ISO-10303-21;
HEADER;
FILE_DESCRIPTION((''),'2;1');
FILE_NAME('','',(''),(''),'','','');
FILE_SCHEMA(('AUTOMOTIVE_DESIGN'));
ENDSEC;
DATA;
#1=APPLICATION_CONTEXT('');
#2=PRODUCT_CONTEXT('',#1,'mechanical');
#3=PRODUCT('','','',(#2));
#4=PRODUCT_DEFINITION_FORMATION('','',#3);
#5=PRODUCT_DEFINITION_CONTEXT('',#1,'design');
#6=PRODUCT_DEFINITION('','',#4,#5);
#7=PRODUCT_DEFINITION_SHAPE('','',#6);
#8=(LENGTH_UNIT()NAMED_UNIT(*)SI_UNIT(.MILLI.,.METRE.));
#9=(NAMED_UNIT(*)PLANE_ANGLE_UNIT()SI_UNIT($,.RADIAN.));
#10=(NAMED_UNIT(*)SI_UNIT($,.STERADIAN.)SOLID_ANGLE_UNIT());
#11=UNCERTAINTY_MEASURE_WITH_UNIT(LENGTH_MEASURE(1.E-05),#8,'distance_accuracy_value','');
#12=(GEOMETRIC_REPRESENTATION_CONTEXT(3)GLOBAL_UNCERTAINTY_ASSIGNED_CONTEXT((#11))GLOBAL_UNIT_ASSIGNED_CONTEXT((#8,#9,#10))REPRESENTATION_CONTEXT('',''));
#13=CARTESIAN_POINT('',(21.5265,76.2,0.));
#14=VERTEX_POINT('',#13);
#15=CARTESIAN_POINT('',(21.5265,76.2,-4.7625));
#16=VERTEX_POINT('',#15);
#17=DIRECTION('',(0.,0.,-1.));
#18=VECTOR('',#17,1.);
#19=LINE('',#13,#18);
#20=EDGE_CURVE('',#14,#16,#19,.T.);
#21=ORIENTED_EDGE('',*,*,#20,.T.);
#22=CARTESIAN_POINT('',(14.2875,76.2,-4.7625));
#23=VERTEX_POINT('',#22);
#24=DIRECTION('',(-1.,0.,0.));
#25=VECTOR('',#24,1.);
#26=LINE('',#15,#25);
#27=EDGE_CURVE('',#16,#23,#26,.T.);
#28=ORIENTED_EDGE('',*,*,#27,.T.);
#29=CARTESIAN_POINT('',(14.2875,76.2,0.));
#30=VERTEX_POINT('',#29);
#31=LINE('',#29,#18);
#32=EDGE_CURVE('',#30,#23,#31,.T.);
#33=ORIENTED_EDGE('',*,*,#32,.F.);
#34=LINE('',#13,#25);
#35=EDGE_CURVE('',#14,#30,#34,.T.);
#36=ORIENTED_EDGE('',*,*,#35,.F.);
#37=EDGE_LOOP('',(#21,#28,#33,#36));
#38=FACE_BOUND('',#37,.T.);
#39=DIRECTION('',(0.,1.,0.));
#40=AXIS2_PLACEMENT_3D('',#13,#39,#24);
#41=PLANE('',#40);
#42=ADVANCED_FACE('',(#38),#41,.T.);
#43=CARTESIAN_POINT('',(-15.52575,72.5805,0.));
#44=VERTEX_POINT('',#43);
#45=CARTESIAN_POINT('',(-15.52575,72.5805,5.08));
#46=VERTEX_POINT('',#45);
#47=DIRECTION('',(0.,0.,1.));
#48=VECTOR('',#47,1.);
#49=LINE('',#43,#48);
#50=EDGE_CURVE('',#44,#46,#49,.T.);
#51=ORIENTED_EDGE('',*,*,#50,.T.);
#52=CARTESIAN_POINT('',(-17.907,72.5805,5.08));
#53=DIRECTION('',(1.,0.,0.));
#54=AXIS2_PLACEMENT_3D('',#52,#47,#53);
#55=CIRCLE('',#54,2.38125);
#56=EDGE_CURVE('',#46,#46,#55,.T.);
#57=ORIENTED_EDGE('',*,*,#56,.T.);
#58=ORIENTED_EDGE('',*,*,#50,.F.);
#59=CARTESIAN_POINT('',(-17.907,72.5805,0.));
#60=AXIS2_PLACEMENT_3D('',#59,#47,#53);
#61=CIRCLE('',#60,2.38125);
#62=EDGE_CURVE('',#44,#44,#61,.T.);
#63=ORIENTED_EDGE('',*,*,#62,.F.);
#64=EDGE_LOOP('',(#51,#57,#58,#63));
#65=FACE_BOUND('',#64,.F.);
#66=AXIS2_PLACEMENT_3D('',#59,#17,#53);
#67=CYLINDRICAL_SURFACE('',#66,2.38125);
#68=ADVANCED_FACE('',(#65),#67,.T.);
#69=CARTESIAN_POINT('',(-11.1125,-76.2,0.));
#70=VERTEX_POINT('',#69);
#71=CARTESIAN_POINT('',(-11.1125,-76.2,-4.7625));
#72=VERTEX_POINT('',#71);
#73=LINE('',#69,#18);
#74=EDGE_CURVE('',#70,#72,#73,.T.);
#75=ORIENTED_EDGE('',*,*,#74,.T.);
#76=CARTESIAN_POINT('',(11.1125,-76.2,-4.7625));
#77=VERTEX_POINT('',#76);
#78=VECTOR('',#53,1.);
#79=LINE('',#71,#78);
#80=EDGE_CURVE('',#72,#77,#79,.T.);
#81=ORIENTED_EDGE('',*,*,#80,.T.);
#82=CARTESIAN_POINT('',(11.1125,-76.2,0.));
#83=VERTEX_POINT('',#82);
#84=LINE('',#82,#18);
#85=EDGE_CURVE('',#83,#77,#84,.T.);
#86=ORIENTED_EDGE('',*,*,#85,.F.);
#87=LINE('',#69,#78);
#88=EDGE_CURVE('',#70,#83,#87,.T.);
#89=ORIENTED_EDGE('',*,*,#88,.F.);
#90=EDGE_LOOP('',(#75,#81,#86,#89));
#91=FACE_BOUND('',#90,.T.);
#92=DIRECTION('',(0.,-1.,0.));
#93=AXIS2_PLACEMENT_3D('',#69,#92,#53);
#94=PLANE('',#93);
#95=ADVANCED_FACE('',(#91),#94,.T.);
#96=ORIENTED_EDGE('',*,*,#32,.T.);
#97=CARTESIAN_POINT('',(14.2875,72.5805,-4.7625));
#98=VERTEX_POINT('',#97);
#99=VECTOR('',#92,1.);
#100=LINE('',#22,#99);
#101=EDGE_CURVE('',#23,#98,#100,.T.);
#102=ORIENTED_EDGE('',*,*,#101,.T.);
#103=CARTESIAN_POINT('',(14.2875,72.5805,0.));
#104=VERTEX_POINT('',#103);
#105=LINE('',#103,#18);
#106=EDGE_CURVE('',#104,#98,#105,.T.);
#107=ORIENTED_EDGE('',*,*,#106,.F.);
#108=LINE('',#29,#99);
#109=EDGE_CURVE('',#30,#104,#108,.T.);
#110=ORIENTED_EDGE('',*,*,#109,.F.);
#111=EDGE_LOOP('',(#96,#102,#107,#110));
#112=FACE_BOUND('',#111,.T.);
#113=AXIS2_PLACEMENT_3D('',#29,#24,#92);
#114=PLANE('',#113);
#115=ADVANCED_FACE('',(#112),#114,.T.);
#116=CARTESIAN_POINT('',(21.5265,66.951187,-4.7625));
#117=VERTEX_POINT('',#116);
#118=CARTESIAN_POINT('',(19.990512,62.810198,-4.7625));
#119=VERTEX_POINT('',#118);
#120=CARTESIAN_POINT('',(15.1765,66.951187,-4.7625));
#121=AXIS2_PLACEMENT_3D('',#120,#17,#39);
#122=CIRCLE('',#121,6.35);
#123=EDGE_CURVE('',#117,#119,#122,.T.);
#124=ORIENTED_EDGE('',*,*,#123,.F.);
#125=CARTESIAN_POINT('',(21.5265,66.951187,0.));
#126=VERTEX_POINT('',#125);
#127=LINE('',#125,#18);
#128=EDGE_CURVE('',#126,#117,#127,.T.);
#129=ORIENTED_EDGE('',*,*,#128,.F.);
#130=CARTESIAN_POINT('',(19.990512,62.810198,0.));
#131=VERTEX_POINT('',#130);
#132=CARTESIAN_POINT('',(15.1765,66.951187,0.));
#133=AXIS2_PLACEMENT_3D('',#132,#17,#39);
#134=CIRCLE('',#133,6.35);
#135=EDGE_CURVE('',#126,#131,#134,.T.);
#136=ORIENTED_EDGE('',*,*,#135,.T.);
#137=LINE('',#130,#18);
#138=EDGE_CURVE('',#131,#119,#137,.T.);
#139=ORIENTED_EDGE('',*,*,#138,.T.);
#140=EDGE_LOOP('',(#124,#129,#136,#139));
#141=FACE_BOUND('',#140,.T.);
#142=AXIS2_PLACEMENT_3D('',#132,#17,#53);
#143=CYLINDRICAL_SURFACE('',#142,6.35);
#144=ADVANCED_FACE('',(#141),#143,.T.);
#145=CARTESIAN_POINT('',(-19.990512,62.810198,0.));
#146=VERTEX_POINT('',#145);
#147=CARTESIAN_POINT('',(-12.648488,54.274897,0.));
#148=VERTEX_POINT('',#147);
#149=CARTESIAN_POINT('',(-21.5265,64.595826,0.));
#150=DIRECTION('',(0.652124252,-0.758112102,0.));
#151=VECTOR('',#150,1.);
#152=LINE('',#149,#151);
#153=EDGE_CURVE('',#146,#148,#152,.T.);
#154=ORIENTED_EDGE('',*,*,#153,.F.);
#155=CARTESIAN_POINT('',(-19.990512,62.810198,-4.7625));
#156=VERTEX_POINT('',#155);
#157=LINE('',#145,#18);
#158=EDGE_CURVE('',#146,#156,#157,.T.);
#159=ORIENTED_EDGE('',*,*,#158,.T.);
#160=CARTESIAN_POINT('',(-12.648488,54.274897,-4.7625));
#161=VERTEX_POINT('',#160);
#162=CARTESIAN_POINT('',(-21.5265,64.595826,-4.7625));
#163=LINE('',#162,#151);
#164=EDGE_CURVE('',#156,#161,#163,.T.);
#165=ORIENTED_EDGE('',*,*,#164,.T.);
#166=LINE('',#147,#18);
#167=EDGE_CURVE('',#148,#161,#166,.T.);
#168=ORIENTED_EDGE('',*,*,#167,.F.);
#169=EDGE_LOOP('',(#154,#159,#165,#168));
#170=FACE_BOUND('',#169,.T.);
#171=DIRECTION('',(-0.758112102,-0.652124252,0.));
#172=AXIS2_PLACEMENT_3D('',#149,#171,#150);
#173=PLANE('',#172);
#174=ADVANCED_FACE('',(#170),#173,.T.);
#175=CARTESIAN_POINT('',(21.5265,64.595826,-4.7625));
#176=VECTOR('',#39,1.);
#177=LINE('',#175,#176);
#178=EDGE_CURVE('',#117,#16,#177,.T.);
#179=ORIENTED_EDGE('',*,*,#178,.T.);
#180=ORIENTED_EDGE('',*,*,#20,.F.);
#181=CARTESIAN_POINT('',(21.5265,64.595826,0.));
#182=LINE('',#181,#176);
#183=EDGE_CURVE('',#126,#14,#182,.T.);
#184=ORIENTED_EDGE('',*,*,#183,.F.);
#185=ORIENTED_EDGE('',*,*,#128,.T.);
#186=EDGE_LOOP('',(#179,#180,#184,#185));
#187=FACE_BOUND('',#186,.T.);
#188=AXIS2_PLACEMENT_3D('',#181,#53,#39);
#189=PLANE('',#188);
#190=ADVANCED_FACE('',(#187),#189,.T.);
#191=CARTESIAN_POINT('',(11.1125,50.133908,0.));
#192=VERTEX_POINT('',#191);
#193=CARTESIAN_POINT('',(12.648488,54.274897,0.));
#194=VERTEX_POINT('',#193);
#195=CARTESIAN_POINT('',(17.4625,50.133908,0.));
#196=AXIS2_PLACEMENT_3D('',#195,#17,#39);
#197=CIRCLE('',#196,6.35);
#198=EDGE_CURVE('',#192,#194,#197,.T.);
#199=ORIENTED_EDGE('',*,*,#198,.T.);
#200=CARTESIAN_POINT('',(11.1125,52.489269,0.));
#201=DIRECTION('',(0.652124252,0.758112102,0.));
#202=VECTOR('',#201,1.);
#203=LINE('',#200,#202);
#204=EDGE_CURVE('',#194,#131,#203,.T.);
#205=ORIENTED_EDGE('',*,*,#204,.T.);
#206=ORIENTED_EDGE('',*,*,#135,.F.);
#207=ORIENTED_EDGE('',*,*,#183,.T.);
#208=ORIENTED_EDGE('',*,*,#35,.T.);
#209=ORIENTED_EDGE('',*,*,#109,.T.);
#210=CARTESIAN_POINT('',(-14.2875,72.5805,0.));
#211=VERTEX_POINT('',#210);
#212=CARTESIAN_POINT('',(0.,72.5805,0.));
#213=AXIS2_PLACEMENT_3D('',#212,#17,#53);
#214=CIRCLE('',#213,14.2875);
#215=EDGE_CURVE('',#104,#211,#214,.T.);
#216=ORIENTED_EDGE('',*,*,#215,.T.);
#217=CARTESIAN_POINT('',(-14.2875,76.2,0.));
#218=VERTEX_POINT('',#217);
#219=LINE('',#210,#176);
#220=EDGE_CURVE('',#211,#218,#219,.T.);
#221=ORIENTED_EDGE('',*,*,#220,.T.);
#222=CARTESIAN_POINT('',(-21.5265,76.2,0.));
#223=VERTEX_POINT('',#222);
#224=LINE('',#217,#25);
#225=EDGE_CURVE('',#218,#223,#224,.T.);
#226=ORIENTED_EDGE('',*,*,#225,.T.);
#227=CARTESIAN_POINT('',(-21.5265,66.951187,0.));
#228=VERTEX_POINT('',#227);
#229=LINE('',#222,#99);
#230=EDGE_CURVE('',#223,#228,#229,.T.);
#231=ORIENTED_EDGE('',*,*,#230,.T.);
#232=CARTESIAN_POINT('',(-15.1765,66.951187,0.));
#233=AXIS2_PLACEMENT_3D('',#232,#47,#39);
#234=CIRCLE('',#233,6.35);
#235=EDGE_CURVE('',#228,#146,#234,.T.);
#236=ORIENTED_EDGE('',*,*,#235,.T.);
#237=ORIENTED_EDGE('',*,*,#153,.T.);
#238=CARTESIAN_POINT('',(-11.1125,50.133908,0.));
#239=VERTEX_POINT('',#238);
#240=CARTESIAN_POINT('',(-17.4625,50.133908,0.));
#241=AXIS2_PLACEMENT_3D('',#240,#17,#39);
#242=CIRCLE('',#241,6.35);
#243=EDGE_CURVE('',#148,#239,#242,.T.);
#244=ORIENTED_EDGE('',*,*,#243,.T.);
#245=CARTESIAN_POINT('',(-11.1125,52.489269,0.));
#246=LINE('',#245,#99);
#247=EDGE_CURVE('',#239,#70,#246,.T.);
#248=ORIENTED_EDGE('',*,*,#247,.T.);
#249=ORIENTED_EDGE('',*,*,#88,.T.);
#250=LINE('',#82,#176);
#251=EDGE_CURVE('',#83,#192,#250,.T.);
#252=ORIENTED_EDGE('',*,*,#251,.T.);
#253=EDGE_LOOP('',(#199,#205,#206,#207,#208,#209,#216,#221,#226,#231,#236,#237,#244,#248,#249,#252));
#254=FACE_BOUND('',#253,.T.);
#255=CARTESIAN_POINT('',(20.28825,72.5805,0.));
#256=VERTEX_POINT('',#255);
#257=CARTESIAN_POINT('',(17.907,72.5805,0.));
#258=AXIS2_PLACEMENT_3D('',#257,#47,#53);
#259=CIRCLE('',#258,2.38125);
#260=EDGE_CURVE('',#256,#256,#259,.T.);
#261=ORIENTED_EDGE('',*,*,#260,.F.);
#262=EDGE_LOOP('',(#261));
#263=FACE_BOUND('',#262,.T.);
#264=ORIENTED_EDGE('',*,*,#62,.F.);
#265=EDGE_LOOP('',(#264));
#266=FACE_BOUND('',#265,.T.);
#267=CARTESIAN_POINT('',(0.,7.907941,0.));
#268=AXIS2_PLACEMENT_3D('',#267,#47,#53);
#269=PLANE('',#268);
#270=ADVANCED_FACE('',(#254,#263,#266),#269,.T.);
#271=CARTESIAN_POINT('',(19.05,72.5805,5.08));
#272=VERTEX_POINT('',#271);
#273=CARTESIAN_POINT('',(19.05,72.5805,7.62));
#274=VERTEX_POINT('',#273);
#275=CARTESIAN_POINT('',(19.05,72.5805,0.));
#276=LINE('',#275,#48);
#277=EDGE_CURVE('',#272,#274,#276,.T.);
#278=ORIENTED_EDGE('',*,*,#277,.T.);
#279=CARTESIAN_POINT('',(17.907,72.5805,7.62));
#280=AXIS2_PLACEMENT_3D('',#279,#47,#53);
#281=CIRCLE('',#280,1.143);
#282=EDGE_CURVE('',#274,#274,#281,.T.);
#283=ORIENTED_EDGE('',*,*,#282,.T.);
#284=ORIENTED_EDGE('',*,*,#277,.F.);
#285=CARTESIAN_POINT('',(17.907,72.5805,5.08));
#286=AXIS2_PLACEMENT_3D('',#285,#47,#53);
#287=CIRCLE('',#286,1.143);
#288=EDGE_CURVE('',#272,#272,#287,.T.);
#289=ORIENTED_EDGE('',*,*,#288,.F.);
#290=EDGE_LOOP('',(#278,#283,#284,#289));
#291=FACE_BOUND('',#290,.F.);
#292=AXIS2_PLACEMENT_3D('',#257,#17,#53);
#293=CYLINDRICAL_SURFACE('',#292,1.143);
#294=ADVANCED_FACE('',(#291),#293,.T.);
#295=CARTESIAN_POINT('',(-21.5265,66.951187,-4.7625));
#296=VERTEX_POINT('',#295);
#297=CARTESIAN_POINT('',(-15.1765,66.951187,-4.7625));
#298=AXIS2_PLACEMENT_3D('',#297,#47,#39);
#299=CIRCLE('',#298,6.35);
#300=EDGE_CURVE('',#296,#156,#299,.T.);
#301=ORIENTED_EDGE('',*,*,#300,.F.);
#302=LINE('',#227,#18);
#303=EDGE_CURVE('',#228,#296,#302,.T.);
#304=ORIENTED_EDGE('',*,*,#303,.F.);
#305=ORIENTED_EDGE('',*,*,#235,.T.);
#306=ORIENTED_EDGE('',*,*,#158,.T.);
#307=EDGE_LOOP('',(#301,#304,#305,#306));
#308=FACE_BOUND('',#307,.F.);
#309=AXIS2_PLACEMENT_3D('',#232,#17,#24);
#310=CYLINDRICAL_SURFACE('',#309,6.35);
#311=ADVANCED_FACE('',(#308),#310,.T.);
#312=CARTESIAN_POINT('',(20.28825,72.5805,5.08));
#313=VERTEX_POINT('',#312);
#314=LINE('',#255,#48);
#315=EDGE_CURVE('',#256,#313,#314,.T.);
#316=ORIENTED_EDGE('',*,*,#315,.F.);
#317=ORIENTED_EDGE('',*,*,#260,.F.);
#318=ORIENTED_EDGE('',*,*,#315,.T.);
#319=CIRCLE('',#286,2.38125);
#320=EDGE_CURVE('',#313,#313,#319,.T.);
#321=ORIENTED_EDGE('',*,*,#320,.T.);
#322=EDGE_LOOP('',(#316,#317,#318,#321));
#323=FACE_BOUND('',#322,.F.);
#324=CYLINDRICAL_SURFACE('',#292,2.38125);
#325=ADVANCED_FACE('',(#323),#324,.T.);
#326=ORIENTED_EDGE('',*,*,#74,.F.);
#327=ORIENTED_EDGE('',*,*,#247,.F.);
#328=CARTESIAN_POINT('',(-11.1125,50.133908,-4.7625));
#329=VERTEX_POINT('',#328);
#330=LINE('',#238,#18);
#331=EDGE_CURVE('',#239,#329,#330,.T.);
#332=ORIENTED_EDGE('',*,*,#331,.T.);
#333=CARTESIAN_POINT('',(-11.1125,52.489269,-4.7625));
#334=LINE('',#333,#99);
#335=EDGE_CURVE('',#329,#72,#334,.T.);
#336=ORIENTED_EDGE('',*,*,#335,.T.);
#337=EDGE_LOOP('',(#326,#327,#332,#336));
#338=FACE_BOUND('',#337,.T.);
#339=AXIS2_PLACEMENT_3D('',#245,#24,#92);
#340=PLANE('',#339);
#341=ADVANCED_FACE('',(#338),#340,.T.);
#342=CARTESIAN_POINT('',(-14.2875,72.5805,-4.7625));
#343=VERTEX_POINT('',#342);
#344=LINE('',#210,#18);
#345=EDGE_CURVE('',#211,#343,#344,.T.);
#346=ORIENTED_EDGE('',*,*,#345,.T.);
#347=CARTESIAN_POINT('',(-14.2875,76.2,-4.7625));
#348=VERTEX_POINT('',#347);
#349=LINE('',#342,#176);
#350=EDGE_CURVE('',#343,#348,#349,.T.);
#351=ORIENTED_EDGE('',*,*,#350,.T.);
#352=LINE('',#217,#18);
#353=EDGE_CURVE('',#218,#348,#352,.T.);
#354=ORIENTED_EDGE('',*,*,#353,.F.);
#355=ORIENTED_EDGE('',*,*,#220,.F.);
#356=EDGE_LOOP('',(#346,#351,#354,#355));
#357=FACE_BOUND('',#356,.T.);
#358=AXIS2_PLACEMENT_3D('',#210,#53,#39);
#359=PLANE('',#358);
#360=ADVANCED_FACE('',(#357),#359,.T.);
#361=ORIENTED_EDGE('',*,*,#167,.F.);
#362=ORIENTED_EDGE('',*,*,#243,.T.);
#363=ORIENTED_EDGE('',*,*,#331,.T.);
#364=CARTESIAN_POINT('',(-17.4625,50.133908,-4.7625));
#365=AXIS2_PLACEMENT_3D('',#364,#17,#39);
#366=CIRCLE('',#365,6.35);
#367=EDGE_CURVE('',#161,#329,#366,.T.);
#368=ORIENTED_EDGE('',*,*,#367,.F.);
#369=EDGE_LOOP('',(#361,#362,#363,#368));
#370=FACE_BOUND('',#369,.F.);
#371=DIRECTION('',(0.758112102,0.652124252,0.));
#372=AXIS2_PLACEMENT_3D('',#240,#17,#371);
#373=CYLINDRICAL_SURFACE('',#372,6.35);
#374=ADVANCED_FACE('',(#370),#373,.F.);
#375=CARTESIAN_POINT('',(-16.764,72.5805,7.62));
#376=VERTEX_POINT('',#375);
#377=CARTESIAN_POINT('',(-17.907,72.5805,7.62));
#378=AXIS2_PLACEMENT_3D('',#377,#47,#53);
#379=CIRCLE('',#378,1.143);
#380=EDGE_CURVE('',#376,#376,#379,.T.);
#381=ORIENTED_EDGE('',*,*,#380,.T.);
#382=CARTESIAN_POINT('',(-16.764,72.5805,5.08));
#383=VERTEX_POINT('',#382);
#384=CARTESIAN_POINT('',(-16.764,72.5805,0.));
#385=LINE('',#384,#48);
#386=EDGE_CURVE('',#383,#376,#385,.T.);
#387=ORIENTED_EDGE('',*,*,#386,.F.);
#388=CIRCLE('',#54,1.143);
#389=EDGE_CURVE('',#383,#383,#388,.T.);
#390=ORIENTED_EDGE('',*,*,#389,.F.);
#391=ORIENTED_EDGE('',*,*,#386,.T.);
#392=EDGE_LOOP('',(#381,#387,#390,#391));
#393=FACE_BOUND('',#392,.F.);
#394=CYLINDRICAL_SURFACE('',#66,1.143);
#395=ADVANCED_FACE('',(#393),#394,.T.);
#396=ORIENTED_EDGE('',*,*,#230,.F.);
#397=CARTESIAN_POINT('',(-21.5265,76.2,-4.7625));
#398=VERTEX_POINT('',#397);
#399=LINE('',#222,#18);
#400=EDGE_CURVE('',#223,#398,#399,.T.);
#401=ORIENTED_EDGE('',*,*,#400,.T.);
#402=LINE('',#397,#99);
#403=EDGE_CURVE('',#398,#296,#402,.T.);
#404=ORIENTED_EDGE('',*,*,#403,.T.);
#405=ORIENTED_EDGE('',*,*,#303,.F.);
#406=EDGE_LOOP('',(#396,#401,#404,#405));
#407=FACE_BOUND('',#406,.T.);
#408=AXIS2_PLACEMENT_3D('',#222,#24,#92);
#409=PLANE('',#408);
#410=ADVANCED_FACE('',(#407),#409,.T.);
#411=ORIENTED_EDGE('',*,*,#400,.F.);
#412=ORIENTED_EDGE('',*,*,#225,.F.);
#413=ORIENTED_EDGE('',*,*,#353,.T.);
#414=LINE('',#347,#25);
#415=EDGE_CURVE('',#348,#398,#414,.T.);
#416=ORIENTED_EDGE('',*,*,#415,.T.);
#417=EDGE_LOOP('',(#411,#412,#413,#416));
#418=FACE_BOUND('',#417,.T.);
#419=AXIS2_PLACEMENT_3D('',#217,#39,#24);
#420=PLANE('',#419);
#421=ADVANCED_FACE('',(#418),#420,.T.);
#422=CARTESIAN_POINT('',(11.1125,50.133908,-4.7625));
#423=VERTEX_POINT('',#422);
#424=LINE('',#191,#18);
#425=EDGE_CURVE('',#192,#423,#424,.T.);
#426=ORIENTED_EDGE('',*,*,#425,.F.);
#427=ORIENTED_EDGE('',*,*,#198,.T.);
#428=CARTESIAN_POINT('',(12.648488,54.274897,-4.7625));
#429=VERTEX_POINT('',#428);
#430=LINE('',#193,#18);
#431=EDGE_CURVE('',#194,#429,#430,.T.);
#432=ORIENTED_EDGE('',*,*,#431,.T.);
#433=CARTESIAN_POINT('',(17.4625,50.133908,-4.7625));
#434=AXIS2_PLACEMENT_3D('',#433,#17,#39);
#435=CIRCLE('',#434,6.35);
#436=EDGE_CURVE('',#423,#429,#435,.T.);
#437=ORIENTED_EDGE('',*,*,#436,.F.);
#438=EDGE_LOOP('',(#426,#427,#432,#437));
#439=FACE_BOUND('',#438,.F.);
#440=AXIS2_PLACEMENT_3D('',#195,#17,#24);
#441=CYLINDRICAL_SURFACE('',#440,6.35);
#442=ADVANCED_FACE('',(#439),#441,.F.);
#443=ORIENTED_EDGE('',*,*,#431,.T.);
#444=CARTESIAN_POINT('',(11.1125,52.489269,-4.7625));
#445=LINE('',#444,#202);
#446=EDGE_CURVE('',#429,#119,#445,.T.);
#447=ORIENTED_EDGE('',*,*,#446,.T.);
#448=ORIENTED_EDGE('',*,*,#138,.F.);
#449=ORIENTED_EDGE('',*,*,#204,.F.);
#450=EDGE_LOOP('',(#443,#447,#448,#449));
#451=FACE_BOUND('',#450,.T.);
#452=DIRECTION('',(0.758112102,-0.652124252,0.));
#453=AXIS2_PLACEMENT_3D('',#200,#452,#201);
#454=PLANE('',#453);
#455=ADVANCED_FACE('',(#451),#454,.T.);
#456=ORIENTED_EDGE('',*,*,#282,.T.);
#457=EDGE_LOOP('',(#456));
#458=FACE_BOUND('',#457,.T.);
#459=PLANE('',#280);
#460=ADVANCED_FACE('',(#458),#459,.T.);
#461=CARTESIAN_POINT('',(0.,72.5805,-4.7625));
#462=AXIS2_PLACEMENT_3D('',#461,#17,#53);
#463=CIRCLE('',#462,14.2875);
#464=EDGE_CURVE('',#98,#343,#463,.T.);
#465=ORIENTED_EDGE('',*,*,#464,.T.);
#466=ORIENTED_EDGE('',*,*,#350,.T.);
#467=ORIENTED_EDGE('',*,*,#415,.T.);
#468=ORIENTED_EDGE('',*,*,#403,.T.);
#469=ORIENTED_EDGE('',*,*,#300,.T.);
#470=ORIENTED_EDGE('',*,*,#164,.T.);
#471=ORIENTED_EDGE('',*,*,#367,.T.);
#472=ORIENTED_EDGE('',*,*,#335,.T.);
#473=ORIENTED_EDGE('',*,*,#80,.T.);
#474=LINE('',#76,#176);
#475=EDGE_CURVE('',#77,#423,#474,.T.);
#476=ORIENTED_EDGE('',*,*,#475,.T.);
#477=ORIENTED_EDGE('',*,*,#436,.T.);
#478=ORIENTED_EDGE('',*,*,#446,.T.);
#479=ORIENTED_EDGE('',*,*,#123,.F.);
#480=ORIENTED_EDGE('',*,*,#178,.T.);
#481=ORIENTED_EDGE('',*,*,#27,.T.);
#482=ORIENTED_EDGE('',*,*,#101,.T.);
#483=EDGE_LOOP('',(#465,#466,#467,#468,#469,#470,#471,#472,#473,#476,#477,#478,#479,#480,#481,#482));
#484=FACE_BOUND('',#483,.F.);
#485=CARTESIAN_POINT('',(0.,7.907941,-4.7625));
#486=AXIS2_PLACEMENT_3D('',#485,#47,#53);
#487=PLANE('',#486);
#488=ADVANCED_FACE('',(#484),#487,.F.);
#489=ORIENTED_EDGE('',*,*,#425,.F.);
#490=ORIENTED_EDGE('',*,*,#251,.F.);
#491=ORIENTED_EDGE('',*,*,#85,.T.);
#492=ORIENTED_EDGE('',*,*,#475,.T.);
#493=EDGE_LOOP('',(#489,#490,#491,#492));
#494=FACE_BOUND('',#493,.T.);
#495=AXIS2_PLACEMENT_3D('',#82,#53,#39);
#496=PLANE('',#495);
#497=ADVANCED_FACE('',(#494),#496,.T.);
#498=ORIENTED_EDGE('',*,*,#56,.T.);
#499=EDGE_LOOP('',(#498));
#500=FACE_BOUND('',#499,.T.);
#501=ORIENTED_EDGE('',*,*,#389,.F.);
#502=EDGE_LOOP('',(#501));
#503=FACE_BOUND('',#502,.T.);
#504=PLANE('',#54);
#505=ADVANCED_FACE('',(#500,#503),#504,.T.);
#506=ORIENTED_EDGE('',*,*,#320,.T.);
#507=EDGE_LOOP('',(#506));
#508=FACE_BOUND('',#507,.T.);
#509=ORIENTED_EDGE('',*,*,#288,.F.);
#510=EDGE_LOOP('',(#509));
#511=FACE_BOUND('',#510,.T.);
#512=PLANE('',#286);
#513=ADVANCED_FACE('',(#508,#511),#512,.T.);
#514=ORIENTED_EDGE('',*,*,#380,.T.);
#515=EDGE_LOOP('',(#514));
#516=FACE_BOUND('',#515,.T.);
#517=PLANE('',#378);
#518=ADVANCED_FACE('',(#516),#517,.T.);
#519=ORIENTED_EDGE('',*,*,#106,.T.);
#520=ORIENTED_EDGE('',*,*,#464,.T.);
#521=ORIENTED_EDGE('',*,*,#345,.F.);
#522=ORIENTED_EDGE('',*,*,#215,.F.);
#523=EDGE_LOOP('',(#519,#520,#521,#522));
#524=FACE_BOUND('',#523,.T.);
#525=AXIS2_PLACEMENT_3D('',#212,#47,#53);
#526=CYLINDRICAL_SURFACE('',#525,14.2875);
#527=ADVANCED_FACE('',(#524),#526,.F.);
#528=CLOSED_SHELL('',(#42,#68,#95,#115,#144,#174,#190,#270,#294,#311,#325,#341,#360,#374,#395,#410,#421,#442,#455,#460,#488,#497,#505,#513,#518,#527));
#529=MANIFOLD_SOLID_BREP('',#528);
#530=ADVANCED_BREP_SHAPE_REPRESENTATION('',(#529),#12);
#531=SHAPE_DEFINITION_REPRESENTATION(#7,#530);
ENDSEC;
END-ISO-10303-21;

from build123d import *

# Parameters (mm, degrees)
F0_R     = 2.38125
F0_R_2   = 1.143
F1_DEPTH = 4.7625
F2_R     = 6.35
F3_DEPTH = 7.62
F4_DEPTH = 5.08


with BuildPart() as f1:
    # F0 (on Top) → F1 (new body)
    with BuildSketch(Plane.XY):
        with BuildLine():
            Line((21.5265, 64.595826), (21.5265, 76.2))
            Line((21.5265, 76.2), (14.2875, 76.2))
            Line((14.2875, 76.2), (14.2875, 72.5805))
            ThreePointArc((14.2875, 72.5805), (0, 58.293), (-14.2875, 72.5805))
            Line((-14.2875, 72.5805), (-14.2875, 76.2))
            Line((-14.2875, 76.2), (-21.5265, 76.2))
            Line((-21.5265, 76.2), (-21.5265, 64.595826))
            Line((-21.5265, 64.595826), (-11.1125, 52.489269))
            Line((-11.1125, 52.489269), (-11.1125, -76.2))
            Line((-11.1125, -76.2), (11.1125, -76.2))
            Line((11.1125, -76.2), (11.1125, 52.489269))
            Line((11.1125, 52.489269), (21.5265, 64.595826))
        make_face()
        with Locations((-17.907, 72.5805)):
            Circle(F0_R, mode=Mode.SUBTRACT)
        with Locations((17.907, 72.5805)):
            Circle(F0_R, mode=Mode.SUBTRACT)
        with Locations((-17.907, 72.5805)):
            Circle(F0_R)
        with Locations((-17.907, 72.5805)):
            Circle(F0_R_2, mode=Mode.SUBTRACT)
        with Locations((17.907, 72.5805)):
            Circle(F0_R)
        with Locations((17.907, 72.5805)):
            Circle(F0_R_2, mode=Mode.SUBTRACT)
        with Locations((-17.907, 72.5805)):
            Circle(F0_R_2)
        with Locations((17.907, 72.5805)):
            Circle(F0_R_2)
    extrude(amount=-F1_DEPTH)

    # F2
    f2_edges = [f1.edges().sort_by_distance(p)[0] for p in [
        (21.5265, 64.595826, -2.38125),
        (11.1125, 52.489269, -2.38125),
        (-21.5265, 64.595826, -2.38125),
        (-11.1125, 52.489269, -2.38125),
    ]]
    fillet(f2_edges, radius=F2_R)

    # F0 (on Top) → F3 (join)
    with BuildSketch(Plane.XY):
        with Locations((17.907, 72.5805)):
            Circle(F0_R_2)
        with Locations((-17.907, 72.5805)):
            Circle(F0_R_2)
    extrude(amount=F3_DEPTH)

    # F0 (on Top) → F4 (join)
    with BuildSketch(Plane.XY):
        with Locations((-17.907, 72.5805)):
            Circle(F0_R)
        with Locations((-17.907, 72.5805)):
            Circle(F0_R_2, mode=Mode.SUBTRACT)
        with Locations((17.907, 72.5805)):
            Circle(F0_R)
        with Locations((17.907, 72.5805)):
            Circle(F0_R_2, mode=Mode.SUBTRACT)
    extrude(amount=F4_DEPTH)


solid = f1.part
